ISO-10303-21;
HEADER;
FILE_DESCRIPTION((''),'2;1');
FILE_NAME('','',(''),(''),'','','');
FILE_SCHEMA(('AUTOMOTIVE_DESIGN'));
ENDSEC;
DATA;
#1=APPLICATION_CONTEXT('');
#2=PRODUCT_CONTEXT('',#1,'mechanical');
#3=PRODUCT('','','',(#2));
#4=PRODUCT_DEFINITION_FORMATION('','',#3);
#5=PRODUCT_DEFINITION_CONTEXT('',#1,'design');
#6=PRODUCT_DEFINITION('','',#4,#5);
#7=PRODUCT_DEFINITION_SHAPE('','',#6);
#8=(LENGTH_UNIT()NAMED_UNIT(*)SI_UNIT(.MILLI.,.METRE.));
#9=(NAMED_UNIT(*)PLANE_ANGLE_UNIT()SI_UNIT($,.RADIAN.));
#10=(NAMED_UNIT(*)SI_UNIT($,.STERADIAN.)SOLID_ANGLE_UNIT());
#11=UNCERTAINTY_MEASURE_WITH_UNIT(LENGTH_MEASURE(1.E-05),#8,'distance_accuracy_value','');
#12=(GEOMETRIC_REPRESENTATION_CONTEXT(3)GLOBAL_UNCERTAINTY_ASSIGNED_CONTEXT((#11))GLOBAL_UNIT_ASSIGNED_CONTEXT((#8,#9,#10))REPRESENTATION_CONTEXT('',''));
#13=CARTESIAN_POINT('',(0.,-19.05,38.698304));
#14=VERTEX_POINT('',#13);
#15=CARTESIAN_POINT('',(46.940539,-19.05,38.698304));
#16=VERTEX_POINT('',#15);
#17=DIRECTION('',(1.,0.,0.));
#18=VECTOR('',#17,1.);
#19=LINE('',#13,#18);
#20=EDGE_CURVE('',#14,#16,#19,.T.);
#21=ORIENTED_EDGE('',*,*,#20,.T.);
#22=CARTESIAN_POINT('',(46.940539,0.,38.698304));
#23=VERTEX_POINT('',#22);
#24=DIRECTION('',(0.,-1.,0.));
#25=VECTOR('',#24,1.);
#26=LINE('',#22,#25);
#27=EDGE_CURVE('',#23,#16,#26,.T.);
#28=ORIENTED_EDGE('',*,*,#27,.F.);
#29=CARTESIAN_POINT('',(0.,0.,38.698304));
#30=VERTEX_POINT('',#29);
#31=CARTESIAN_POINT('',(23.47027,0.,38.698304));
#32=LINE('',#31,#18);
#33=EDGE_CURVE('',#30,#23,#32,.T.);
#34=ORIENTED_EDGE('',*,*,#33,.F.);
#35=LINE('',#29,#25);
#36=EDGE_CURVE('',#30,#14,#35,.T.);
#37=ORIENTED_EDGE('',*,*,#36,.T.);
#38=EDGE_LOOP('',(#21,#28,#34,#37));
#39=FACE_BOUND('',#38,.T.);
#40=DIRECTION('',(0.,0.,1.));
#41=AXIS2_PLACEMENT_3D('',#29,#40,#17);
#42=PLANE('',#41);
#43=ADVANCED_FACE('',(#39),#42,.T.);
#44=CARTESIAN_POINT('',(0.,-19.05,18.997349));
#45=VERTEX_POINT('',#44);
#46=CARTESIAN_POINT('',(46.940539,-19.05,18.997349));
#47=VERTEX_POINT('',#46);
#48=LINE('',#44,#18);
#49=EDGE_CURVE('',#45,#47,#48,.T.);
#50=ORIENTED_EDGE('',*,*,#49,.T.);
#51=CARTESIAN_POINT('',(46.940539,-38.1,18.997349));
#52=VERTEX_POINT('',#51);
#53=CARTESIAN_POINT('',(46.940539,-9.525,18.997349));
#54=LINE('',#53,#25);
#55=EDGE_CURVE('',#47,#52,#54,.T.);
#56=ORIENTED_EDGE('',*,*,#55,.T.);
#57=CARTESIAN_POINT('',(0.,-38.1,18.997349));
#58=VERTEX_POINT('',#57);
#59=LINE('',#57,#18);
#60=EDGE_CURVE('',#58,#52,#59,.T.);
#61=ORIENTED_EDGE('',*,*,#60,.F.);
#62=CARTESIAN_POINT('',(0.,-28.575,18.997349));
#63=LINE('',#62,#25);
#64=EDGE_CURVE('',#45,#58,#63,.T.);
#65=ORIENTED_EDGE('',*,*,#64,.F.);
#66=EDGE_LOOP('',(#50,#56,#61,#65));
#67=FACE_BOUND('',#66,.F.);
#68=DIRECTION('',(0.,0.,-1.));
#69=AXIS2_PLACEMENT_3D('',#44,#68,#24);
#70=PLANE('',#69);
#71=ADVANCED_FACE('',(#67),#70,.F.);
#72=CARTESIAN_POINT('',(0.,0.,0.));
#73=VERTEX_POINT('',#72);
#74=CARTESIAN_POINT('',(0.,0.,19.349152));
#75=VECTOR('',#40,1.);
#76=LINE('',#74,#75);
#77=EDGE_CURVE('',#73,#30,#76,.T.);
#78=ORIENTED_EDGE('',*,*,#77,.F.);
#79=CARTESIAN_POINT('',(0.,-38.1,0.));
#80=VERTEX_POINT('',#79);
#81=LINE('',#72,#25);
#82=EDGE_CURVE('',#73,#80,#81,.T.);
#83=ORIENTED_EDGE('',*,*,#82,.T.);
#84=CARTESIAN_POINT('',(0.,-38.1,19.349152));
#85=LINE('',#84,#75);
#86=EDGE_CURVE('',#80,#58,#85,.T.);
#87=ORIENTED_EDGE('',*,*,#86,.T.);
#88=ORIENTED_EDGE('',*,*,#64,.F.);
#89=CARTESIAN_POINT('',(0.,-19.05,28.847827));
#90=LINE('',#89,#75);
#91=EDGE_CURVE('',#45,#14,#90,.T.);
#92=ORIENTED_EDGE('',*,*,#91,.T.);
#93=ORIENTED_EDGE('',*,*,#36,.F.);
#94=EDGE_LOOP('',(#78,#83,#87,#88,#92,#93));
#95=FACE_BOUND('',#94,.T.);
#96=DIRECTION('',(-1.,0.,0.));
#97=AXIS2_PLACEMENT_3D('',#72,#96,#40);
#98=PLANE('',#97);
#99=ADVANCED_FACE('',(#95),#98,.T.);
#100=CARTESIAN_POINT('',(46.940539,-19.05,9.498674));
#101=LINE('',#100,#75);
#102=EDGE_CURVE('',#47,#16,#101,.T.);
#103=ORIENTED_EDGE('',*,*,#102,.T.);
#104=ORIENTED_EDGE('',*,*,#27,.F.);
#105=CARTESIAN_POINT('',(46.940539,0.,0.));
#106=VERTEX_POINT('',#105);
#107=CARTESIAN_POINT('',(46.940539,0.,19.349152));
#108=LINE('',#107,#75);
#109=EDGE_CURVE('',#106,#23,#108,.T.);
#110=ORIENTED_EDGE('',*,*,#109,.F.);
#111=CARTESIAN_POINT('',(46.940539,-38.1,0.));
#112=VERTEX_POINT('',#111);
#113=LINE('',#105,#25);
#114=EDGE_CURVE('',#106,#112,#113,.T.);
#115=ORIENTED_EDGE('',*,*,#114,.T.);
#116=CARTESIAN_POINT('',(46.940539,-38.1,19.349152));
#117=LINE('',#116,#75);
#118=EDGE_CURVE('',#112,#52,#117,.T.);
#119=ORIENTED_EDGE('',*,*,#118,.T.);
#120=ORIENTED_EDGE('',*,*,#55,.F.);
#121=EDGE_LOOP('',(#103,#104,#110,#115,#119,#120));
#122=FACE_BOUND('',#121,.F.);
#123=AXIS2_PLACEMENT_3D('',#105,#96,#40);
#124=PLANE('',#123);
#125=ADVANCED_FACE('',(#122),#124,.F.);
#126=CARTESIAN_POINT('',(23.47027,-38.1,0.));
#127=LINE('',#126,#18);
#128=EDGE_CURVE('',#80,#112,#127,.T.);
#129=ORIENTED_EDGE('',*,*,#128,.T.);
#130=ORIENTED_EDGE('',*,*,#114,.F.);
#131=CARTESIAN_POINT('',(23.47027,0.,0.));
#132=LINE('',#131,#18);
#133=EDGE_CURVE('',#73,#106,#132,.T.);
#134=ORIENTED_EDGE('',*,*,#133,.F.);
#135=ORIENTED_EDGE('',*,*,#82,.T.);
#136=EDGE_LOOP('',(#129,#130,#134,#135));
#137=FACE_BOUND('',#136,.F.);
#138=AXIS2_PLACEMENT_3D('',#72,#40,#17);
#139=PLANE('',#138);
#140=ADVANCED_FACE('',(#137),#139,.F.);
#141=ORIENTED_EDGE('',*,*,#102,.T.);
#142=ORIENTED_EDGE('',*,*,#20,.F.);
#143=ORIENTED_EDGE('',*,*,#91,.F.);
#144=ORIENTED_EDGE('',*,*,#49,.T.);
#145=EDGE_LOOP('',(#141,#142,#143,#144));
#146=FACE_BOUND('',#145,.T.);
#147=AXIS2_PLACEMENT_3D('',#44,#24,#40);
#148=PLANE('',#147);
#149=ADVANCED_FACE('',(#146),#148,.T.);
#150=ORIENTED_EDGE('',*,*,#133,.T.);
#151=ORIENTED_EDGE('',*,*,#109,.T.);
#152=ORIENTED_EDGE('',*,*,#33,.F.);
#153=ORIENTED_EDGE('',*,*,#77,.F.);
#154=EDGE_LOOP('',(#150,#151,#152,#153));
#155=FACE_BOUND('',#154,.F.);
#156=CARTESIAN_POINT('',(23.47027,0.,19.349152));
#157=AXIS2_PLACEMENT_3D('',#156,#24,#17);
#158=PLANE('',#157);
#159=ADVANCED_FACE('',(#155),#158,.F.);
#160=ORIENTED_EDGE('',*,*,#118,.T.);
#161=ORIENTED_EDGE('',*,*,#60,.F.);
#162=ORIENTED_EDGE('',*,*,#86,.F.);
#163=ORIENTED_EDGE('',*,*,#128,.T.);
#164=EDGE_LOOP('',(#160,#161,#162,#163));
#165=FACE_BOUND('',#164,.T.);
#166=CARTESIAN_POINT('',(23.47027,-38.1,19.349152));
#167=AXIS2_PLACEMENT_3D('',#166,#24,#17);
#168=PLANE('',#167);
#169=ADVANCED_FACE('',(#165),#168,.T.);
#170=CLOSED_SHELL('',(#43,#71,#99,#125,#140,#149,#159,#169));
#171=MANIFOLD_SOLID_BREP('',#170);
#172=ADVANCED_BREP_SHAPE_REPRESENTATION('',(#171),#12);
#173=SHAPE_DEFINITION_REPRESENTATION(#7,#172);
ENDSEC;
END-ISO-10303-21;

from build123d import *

# Parameters (mm, degrees)
F0_W     = 46.9405390322
F0_H     = 38.6983044446
F1_DEPTH = 38.1
F3_W     = 19.05
F3_H     = 19.7009555995
F4_DEPTH = 25.4
F5_DEPTH = 50.8


with BuildPart() as f1:
    # F0 (on Front) → F1 (new body)
    with BuildSketch(Plane.XZ):
        with Locations((23.4702695161, 19.3491522223)):
            Rectangle(F0_W, F0_H)
    extrude(amount=F1_DEPTH)

    # F3 (on face) → F4 (cut)
    with BuildSketch(Plane(origin=(0, 0, 0), x_dir=(0, -1, 0), z_dir=(-1, 0, 0))):
        with Locations((28.575, 28.8478266448)):
            Rectangle(F3_W, F3_H)
    extrude(amount=-F4_DEPTH, mode=Mode.SUBTRACT)

    # F5 (cut): a face of the model
    f5_faces = [f1.faces().sort_by_distance(p)[0] for p in [
        (25.4, -28.575, 28.8478266448),
    ]]
    extrude(f5_faces, amount=-F5_DEPTH, mode=Mode.SUBTRACT)


solid = f1.part
